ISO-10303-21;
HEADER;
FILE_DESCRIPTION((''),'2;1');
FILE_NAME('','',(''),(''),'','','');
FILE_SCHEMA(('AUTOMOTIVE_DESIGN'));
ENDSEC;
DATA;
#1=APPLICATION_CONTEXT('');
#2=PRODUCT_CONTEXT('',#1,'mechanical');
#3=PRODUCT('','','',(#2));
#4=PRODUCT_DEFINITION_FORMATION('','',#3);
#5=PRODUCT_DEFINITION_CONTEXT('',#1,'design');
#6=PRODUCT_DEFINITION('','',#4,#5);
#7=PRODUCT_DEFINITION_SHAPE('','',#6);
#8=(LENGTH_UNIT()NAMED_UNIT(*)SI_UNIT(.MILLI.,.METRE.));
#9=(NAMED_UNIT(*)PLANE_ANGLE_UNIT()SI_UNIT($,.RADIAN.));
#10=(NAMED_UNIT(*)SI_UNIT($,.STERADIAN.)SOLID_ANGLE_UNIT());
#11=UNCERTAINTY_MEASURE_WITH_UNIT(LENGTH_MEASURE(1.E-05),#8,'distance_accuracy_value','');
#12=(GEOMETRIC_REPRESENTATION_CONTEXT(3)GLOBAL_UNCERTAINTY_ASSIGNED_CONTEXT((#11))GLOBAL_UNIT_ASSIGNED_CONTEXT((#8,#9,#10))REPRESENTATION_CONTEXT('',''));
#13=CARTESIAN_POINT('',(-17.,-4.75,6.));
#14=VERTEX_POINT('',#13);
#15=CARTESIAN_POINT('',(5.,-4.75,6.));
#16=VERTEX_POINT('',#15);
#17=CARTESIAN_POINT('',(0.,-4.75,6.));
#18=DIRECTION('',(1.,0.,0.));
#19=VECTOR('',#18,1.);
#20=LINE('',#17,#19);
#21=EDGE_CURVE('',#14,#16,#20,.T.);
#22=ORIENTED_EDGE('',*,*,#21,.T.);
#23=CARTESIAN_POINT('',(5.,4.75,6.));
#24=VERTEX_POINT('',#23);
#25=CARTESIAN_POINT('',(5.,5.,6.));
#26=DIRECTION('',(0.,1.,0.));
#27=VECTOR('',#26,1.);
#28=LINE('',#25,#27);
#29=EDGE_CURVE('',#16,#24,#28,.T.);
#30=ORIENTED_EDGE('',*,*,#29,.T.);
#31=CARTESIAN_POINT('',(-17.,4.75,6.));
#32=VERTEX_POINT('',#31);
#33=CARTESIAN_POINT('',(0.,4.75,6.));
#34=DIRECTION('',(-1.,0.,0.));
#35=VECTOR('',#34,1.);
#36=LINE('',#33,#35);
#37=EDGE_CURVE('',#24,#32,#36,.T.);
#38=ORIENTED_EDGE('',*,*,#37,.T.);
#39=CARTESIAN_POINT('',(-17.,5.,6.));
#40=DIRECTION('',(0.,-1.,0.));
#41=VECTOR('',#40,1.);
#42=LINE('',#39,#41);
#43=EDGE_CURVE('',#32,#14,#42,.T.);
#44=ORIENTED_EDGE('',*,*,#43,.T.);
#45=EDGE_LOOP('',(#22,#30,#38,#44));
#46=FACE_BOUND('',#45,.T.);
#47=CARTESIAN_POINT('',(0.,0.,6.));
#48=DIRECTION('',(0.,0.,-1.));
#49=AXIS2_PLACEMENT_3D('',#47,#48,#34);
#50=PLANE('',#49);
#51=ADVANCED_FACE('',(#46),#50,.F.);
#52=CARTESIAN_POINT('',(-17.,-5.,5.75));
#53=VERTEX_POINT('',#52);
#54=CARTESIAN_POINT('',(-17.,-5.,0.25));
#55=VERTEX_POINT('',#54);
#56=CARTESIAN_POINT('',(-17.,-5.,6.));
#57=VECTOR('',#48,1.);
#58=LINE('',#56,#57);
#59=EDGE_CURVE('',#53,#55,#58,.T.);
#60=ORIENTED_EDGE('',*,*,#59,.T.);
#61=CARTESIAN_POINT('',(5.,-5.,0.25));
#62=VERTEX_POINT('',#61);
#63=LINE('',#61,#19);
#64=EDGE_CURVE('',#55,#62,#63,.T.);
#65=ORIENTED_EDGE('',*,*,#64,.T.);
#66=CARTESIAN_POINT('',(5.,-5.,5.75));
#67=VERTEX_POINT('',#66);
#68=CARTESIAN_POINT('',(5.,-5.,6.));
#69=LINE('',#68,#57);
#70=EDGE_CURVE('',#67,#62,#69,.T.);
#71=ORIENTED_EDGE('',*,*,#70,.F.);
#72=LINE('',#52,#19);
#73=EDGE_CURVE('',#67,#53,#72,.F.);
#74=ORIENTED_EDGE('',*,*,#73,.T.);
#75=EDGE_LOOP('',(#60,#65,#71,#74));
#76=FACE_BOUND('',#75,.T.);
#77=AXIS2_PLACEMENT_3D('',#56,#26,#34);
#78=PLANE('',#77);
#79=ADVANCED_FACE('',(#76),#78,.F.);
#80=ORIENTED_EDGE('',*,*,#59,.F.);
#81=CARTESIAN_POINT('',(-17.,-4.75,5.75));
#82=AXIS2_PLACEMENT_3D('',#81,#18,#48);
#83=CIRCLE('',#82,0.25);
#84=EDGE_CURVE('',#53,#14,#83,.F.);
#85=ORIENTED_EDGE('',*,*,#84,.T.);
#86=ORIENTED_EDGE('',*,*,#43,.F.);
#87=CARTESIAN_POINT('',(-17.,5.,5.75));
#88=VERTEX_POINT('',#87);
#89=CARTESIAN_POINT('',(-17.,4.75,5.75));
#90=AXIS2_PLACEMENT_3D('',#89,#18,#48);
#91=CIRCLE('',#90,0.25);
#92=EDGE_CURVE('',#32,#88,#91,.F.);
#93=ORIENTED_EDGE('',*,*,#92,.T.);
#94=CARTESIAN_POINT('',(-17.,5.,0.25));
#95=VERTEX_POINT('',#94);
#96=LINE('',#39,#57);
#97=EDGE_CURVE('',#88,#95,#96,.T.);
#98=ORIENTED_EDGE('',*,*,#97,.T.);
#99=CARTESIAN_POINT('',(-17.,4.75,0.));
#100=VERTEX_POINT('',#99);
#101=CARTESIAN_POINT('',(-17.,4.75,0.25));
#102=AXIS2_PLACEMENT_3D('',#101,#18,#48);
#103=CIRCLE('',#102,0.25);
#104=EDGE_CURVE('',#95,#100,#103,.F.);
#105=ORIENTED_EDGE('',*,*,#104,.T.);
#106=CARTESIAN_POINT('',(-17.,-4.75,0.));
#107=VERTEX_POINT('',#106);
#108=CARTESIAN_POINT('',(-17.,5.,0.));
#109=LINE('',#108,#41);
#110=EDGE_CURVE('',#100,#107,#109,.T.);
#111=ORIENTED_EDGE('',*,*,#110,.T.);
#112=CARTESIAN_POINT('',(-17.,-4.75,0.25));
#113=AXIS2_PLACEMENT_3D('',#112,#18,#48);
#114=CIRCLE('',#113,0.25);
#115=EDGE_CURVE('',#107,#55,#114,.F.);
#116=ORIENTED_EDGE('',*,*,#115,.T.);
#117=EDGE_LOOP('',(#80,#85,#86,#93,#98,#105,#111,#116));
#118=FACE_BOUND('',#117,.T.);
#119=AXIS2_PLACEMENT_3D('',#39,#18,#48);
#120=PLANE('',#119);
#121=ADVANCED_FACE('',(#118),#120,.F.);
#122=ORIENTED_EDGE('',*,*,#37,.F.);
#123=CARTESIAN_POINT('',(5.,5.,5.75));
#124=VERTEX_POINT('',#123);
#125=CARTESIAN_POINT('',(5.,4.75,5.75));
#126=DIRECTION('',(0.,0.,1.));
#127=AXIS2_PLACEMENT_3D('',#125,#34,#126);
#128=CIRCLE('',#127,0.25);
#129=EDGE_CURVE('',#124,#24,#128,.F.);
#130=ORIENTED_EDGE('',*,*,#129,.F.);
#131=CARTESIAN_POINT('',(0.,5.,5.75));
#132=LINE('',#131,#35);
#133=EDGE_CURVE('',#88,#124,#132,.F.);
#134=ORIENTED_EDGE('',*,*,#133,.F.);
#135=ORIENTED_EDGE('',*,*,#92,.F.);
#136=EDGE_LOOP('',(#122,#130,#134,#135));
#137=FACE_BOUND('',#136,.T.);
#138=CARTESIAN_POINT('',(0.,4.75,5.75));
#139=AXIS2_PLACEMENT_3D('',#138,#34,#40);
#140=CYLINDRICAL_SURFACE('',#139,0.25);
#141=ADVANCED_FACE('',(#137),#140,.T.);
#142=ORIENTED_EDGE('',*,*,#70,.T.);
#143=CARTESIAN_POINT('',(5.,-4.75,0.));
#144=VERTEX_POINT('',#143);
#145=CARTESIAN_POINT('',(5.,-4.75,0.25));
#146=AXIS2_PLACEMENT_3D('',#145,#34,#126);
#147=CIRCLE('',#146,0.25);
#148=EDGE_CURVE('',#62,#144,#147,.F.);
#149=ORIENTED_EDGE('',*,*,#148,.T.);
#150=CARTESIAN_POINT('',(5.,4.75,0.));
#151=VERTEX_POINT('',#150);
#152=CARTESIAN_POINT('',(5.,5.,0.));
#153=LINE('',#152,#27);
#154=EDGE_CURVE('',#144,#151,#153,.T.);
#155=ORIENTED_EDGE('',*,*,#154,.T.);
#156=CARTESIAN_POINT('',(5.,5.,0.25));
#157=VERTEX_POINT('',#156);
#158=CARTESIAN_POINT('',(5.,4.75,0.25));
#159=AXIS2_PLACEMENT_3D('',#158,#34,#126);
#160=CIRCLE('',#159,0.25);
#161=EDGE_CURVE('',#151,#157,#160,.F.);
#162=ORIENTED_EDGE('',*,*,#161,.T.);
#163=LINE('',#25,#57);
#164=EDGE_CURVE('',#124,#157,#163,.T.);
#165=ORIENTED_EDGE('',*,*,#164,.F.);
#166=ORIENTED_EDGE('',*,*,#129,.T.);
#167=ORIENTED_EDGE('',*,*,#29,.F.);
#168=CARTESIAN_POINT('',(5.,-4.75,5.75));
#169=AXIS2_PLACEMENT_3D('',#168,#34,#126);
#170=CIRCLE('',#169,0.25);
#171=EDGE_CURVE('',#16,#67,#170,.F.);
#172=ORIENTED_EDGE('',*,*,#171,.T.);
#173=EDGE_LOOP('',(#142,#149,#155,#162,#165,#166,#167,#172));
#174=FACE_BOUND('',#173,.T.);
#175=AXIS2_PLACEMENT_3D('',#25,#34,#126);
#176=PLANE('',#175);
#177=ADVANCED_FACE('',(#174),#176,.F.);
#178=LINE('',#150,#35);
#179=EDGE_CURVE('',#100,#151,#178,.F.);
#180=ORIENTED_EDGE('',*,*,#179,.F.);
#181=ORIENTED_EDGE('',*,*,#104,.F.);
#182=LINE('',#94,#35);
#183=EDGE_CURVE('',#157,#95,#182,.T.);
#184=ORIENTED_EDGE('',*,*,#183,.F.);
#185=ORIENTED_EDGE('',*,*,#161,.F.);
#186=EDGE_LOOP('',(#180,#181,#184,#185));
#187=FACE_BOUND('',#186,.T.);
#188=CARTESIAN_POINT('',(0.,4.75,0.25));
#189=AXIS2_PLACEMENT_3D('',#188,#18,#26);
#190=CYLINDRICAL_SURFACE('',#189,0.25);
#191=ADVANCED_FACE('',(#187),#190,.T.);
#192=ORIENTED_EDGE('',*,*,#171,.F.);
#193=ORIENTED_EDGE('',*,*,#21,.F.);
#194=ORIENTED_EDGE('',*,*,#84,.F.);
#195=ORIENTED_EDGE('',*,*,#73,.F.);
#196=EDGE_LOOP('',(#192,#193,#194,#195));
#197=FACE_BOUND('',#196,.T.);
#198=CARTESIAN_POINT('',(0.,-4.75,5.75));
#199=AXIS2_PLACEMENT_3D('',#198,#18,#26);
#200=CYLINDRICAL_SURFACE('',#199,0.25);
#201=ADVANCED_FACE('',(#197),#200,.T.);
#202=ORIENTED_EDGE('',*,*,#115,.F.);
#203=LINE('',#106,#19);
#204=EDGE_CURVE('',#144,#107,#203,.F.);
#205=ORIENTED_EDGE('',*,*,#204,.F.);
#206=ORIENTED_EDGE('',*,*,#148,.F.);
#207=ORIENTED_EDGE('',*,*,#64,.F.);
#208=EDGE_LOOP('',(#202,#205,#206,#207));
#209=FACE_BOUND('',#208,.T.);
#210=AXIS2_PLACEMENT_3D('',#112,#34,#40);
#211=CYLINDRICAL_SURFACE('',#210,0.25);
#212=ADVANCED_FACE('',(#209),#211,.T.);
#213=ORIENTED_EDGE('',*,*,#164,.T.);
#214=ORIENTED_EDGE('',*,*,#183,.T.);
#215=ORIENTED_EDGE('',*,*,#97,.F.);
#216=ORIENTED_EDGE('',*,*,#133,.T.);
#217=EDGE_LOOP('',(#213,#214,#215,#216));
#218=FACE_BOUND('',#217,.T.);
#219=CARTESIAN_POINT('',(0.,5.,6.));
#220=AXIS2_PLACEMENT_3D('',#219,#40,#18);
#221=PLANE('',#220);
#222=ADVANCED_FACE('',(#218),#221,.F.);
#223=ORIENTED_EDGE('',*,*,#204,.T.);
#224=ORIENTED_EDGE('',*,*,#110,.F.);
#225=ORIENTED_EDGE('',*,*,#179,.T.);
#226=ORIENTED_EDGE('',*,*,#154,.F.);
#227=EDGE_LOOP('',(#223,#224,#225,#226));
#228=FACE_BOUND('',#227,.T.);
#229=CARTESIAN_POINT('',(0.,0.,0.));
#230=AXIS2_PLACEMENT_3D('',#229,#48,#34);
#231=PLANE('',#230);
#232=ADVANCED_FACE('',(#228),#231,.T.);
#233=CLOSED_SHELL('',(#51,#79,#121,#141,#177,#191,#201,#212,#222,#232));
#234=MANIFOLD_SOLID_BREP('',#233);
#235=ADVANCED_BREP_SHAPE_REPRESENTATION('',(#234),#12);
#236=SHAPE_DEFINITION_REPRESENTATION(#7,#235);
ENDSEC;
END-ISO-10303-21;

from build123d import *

# Parameters (mm, degrees)
EXTRUDE1_DEPTH = 6
SKETCH2_W      = 22
SKETCH2_H      = 10
EXTRUDE2_DEPTH = 6
FILLET1_R      = 0.25


with BuildPart() as part:
    # Sketch1 → Extrude1 (new body)
    with BuildSketch(Plane.XY):
        with BuildLine():
            Line((0, 5), (-17, 5))
            Line((-17, 5), (-17, -5))
            Line((-17, -5), (0, -5))
            ThreePointArc((0, -5), (5, 0), (0, 5))
        make_face()
    extrude(amount=EXTRUDE1_DEPTH)

    # Sketch2 → Extrude2 (add)
    with BuildSketch(Plane.XY):
        with Locations((-6, 0)):
            Rectangle(SKETCH2_W, SKETCH2_H)
    extrude(amount=EXTRUDE2_DEPTH)

    # Fillet1
    fillet1_edges = [part.edges().sort_by_distance(p)[0] for p in [
        (-6, -5, 6),
        (-6, -5, 0),
        (-6, 5, 0),
        (-6, 5, 6),
    ]]
    fillet(fillet1_edges, radius=FILLET1_R)


solid = part.part
